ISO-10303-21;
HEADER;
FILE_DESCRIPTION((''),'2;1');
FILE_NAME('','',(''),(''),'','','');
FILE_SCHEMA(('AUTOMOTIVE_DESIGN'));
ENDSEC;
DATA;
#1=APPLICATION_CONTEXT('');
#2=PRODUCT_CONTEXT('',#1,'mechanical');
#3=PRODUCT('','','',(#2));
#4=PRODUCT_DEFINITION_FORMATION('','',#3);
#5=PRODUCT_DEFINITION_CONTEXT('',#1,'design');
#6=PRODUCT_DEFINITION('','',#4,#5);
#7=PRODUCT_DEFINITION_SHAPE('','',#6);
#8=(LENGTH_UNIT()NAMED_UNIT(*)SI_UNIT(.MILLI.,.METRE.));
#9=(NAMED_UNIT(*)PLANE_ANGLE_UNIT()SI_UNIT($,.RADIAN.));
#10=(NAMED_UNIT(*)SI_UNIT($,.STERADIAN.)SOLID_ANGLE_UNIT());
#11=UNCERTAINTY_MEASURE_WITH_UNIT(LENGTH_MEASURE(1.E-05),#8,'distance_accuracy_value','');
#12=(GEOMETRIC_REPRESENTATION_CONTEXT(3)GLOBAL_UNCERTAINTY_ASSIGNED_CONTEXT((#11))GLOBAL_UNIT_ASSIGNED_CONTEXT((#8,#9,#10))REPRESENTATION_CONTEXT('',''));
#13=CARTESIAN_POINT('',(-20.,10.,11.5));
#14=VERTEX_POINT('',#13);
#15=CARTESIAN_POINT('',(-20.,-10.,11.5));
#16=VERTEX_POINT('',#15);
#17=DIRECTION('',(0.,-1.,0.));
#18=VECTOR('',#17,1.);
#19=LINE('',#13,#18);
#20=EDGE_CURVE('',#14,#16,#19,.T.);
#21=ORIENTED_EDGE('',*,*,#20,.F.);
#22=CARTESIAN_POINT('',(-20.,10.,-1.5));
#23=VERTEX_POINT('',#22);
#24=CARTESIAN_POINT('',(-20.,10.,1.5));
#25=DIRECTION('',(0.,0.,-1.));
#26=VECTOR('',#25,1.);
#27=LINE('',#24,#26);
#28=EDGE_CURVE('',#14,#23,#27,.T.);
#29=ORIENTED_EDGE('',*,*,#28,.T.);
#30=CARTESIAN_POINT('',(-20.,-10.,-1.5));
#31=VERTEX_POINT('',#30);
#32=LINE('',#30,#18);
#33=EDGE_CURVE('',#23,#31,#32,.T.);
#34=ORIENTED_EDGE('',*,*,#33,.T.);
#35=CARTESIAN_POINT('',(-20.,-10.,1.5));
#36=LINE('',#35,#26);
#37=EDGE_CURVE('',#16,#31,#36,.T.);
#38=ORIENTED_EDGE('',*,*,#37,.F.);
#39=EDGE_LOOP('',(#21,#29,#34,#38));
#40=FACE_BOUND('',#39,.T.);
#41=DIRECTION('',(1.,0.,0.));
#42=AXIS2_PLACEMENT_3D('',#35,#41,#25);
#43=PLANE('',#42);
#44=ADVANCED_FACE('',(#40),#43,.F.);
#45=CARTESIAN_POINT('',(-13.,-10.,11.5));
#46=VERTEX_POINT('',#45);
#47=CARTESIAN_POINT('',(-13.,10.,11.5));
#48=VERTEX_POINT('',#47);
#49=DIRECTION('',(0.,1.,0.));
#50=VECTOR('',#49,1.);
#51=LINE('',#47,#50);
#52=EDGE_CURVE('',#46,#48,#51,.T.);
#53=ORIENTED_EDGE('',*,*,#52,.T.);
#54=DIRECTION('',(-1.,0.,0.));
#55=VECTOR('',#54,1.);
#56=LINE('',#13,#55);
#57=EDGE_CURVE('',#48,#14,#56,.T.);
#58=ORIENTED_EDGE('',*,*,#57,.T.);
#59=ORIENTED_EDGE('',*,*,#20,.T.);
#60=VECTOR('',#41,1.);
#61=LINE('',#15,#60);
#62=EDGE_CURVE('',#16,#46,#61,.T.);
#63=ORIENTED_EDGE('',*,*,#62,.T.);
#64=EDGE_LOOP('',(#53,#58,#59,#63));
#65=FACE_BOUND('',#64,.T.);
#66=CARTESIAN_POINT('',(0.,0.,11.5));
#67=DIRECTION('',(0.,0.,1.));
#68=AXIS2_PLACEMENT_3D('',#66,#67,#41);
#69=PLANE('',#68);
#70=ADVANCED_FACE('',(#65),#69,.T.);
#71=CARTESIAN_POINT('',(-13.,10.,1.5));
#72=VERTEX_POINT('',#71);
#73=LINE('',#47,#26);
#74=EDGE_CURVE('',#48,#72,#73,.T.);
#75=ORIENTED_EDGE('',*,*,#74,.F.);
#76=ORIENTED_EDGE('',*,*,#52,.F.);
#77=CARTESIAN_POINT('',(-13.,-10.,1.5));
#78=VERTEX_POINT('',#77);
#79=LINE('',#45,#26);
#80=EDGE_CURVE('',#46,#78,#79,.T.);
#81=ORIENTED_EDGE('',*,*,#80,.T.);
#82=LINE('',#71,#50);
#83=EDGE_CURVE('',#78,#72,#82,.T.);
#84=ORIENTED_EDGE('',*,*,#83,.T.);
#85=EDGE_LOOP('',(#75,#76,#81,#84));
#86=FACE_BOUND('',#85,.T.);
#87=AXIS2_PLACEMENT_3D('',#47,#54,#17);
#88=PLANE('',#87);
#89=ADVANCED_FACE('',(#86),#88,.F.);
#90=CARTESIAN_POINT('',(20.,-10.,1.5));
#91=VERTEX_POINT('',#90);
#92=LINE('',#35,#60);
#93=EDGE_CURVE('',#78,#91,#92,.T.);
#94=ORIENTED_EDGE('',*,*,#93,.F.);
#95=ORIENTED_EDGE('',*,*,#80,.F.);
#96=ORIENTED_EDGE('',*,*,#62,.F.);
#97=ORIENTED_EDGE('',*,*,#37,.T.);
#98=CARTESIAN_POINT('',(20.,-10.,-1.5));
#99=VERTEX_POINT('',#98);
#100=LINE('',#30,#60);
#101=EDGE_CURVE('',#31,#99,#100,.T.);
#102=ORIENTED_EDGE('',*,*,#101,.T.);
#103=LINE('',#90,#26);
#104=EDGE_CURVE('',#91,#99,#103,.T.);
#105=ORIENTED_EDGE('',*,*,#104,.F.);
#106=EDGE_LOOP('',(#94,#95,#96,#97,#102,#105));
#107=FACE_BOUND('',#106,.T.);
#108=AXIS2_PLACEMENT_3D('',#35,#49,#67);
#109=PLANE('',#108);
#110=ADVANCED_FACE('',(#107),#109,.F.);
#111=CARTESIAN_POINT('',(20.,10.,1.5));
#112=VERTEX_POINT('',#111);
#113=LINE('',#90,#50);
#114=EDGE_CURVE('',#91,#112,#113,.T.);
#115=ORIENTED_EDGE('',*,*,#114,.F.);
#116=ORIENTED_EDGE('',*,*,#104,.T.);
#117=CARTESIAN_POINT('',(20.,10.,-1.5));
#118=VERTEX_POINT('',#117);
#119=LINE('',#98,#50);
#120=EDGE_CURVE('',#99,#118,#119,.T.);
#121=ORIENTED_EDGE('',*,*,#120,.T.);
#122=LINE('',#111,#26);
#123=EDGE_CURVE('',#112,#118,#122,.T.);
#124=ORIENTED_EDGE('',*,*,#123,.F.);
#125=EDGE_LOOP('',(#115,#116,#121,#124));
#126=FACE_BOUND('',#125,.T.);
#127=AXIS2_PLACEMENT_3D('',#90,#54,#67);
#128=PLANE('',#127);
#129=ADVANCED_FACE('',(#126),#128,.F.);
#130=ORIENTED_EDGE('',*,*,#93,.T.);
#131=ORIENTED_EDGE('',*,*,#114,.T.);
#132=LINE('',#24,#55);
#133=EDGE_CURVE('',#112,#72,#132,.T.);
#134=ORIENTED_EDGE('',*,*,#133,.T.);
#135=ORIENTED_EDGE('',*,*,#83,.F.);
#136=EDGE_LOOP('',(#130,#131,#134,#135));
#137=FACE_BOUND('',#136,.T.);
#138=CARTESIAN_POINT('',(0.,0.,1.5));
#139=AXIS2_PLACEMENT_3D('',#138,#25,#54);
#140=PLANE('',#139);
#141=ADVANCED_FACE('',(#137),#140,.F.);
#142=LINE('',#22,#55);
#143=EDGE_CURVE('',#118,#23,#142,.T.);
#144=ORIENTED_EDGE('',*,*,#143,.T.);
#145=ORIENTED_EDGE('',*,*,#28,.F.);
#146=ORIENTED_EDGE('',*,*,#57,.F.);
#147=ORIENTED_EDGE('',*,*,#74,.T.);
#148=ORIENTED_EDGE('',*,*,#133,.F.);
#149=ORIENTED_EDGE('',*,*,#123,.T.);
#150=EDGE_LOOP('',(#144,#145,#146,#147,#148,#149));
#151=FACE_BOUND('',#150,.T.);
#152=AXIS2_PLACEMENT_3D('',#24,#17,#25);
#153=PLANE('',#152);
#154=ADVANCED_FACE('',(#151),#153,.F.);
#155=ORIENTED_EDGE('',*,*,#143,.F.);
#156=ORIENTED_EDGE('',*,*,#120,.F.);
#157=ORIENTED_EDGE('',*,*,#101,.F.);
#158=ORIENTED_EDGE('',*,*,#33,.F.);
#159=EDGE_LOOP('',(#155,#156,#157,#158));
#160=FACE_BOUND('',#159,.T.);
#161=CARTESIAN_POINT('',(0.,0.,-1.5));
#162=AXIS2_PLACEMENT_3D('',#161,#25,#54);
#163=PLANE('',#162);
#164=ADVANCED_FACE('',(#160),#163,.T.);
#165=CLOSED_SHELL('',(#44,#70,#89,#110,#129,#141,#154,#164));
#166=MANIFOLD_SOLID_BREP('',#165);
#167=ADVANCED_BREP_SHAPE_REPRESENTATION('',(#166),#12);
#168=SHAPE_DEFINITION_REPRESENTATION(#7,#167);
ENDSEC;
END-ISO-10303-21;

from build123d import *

# Parameters (mm, degrees)
SKETCH1_W           = 40
SKETCH1_H           = 20
BOSS_EXTRUDE1_DEPTH = 1.5
SKETCH2_W           = 7
SKETCH2_H           = 20
BOSS_EXTRUDE2_DEPTH = 10


with BuildPart() as part:
    # Sketch1 → Boss-Extrude1 (new body, symmetric)
    with BuildSketch(Plane.XY):
        Rectangle(SKETCH1_W, SKETCH1_H)
    extrude(amount=BOSS_EXTRUDE1_DEPTH, both=True)

    # Sketch2 → Boss-Extrude2 (add)
    with BuildSketch(Plane.XY.offset(1.5)):
        with Locations((-16.5, 0)):
            Rectangle(SKETCH2_W, SKETCH2_H)
    extrude(amount=BOSS_EXTRUDE2_DEPTH)


solid = part.part
